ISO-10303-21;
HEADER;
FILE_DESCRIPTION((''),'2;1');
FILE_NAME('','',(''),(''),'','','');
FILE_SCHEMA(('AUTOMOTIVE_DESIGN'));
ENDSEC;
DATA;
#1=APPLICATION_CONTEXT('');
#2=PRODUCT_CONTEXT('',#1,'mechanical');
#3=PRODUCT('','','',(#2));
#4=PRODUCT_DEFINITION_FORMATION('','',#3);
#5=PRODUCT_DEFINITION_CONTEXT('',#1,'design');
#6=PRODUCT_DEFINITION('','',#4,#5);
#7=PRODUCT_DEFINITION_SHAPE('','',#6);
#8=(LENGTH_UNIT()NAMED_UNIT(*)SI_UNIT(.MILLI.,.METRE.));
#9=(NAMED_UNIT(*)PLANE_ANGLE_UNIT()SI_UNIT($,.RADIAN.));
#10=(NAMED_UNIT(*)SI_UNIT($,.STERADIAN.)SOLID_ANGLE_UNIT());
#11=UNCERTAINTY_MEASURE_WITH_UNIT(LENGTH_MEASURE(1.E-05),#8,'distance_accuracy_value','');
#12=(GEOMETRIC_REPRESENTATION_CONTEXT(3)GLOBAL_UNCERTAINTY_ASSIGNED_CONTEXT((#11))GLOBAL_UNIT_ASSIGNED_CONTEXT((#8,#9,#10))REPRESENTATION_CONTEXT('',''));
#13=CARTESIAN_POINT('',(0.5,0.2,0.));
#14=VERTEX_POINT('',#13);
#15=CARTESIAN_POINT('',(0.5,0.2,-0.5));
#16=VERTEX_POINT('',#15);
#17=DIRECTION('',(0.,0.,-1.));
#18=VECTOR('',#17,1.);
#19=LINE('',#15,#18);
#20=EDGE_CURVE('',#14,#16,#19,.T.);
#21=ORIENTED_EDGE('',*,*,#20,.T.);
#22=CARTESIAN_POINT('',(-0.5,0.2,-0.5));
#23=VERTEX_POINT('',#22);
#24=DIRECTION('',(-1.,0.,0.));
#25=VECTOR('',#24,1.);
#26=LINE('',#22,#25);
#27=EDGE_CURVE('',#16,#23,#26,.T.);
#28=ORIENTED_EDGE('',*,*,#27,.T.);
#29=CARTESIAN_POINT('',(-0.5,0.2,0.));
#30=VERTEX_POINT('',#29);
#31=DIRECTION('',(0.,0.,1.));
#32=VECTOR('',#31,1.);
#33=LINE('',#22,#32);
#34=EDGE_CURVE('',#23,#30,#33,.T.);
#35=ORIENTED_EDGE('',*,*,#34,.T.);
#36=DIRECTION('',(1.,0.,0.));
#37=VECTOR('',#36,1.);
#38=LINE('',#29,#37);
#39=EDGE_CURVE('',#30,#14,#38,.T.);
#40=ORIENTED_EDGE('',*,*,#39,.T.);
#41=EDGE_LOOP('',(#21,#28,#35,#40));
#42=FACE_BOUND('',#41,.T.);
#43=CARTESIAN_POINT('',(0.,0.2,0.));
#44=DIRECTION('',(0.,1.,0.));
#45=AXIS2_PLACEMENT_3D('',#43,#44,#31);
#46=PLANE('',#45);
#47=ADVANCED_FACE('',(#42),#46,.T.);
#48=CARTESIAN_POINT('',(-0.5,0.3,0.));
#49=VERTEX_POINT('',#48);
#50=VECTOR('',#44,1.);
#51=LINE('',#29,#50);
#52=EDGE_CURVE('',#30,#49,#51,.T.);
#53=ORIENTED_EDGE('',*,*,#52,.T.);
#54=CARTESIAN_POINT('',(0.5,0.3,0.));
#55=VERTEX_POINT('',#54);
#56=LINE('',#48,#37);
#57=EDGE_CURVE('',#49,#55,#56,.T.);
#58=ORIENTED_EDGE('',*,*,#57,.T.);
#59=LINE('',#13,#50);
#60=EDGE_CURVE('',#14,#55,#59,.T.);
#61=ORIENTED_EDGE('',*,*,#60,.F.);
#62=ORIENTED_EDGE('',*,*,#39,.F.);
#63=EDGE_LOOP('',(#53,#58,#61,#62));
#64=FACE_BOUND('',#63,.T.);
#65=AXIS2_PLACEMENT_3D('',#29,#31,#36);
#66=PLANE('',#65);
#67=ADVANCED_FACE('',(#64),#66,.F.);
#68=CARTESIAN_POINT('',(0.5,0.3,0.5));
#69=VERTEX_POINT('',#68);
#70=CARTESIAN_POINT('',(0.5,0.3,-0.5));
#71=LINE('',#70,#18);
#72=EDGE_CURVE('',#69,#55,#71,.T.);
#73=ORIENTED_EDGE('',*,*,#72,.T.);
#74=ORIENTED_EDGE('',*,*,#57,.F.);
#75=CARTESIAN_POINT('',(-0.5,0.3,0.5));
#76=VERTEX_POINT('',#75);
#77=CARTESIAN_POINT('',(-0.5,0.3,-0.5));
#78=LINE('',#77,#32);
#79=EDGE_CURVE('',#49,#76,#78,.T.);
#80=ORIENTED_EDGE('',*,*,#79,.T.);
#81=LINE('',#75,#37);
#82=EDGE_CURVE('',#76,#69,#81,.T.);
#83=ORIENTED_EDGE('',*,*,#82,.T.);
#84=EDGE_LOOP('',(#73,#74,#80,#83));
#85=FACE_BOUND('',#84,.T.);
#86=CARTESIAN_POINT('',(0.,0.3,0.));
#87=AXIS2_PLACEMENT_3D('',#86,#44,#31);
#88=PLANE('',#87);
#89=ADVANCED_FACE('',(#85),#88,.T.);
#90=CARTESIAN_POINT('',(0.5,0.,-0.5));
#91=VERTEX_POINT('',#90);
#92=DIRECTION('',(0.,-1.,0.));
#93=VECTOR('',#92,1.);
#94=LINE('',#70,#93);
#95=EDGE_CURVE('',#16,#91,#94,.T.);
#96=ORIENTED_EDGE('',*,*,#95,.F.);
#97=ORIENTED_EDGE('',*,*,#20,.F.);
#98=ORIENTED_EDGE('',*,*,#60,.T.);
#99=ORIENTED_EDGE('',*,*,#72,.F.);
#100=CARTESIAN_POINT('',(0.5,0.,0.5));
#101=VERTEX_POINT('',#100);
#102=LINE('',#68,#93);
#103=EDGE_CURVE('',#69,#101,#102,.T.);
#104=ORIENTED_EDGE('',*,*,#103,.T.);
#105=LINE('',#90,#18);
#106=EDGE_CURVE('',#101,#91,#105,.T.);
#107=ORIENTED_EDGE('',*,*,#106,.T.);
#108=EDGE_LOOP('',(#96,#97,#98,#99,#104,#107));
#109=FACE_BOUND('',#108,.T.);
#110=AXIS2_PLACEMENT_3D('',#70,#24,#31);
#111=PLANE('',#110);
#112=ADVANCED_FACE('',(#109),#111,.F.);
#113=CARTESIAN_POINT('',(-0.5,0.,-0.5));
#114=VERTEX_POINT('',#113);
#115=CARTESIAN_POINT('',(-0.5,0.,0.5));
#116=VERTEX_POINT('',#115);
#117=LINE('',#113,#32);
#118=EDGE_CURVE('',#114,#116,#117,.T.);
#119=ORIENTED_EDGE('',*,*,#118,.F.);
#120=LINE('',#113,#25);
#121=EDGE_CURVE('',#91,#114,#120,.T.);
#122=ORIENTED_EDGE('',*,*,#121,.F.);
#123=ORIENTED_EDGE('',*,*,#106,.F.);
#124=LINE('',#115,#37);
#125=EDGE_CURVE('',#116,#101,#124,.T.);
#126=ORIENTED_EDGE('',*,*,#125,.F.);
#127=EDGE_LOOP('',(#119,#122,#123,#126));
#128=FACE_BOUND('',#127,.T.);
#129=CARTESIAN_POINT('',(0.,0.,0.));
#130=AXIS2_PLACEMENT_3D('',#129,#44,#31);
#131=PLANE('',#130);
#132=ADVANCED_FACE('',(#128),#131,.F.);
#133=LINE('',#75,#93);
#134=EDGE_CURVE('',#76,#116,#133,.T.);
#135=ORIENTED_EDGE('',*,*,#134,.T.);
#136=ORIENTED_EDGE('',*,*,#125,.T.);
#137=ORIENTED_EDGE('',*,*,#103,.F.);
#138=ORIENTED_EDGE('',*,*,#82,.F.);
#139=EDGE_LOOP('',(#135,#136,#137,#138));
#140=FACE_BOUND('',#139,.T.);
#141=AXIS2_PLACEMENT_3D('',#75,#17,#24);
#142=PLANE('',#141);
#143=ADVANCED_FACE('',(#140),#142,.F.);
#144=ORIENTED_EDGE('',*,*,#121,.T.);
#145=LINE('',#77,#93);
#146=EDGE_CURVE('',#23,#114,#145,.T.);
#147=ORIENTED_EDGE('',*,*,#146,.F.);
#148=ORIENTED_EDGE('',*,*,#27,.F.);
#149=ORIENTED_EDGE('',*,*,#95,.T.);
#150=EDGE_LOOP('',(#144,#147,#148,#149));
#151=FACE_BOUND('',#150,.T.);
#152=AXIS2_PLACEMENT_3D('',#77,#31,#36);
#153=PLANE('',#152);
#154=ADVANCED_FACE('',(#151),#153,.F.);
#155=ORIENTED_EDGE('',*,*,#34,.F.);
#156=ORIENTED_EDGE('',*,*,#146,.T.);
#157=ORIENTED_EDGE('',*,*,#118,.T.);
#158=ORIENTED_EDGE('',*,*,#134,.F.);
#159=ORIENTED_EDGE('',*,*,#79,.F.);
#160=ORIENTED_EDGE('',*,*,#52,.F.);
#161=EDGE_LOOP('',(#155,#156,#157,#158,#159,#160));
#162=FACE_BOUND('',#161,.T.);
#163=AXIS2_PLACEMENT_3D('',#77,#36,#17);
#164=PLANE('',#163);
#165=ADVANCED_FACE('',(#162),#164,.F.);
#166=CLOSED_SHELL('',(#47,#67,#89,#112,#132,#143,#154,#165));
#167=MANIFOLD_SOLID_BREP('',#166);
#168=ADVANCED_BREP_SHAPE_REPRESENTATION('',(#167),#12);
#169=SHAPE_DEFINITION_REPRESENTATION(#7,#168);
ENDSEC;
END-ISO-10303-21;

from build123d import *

# Parameters (mm, degrees)
SKETCH1_W           = 1
SKETCH1_H           = 1
BOSS_EXTRUDE1_DEPTH = 0.3
SKETCH2_W           = 1
SKETCH2_H           = 0.5
CUT_EXTRUDE1_DEPTH  = 0.1


with BuildPart() as part:
    # Sketch1 → Boss-Extrude1 (new body)
    with BuildSketch(Plane(origin=(0, 0, 0), x_dir=(1, 0, 0), z_dir=(0, 1, 0))):
        Rectangle(SKETCH1_W, SKETCH1_H)
    extrude(amount=BOSS_EXTRUDE1_DEPTH)

    # Sketch2 → Cut-Extrude1 (cut)
    with BuildSketch(Plane(origin=(0, 0.3, 0), x_dir=(1, 0, 0), z_dir=(0, 1, 0))):
        with Locations((0, 0.25)):
            Rectangle(SKETCH2_W, SKETCH2_H)
    extrude(amount=-CUT_EXTRUDE1_DEPTH, mode=Mode.SUBTRACT)


solid = part.part
